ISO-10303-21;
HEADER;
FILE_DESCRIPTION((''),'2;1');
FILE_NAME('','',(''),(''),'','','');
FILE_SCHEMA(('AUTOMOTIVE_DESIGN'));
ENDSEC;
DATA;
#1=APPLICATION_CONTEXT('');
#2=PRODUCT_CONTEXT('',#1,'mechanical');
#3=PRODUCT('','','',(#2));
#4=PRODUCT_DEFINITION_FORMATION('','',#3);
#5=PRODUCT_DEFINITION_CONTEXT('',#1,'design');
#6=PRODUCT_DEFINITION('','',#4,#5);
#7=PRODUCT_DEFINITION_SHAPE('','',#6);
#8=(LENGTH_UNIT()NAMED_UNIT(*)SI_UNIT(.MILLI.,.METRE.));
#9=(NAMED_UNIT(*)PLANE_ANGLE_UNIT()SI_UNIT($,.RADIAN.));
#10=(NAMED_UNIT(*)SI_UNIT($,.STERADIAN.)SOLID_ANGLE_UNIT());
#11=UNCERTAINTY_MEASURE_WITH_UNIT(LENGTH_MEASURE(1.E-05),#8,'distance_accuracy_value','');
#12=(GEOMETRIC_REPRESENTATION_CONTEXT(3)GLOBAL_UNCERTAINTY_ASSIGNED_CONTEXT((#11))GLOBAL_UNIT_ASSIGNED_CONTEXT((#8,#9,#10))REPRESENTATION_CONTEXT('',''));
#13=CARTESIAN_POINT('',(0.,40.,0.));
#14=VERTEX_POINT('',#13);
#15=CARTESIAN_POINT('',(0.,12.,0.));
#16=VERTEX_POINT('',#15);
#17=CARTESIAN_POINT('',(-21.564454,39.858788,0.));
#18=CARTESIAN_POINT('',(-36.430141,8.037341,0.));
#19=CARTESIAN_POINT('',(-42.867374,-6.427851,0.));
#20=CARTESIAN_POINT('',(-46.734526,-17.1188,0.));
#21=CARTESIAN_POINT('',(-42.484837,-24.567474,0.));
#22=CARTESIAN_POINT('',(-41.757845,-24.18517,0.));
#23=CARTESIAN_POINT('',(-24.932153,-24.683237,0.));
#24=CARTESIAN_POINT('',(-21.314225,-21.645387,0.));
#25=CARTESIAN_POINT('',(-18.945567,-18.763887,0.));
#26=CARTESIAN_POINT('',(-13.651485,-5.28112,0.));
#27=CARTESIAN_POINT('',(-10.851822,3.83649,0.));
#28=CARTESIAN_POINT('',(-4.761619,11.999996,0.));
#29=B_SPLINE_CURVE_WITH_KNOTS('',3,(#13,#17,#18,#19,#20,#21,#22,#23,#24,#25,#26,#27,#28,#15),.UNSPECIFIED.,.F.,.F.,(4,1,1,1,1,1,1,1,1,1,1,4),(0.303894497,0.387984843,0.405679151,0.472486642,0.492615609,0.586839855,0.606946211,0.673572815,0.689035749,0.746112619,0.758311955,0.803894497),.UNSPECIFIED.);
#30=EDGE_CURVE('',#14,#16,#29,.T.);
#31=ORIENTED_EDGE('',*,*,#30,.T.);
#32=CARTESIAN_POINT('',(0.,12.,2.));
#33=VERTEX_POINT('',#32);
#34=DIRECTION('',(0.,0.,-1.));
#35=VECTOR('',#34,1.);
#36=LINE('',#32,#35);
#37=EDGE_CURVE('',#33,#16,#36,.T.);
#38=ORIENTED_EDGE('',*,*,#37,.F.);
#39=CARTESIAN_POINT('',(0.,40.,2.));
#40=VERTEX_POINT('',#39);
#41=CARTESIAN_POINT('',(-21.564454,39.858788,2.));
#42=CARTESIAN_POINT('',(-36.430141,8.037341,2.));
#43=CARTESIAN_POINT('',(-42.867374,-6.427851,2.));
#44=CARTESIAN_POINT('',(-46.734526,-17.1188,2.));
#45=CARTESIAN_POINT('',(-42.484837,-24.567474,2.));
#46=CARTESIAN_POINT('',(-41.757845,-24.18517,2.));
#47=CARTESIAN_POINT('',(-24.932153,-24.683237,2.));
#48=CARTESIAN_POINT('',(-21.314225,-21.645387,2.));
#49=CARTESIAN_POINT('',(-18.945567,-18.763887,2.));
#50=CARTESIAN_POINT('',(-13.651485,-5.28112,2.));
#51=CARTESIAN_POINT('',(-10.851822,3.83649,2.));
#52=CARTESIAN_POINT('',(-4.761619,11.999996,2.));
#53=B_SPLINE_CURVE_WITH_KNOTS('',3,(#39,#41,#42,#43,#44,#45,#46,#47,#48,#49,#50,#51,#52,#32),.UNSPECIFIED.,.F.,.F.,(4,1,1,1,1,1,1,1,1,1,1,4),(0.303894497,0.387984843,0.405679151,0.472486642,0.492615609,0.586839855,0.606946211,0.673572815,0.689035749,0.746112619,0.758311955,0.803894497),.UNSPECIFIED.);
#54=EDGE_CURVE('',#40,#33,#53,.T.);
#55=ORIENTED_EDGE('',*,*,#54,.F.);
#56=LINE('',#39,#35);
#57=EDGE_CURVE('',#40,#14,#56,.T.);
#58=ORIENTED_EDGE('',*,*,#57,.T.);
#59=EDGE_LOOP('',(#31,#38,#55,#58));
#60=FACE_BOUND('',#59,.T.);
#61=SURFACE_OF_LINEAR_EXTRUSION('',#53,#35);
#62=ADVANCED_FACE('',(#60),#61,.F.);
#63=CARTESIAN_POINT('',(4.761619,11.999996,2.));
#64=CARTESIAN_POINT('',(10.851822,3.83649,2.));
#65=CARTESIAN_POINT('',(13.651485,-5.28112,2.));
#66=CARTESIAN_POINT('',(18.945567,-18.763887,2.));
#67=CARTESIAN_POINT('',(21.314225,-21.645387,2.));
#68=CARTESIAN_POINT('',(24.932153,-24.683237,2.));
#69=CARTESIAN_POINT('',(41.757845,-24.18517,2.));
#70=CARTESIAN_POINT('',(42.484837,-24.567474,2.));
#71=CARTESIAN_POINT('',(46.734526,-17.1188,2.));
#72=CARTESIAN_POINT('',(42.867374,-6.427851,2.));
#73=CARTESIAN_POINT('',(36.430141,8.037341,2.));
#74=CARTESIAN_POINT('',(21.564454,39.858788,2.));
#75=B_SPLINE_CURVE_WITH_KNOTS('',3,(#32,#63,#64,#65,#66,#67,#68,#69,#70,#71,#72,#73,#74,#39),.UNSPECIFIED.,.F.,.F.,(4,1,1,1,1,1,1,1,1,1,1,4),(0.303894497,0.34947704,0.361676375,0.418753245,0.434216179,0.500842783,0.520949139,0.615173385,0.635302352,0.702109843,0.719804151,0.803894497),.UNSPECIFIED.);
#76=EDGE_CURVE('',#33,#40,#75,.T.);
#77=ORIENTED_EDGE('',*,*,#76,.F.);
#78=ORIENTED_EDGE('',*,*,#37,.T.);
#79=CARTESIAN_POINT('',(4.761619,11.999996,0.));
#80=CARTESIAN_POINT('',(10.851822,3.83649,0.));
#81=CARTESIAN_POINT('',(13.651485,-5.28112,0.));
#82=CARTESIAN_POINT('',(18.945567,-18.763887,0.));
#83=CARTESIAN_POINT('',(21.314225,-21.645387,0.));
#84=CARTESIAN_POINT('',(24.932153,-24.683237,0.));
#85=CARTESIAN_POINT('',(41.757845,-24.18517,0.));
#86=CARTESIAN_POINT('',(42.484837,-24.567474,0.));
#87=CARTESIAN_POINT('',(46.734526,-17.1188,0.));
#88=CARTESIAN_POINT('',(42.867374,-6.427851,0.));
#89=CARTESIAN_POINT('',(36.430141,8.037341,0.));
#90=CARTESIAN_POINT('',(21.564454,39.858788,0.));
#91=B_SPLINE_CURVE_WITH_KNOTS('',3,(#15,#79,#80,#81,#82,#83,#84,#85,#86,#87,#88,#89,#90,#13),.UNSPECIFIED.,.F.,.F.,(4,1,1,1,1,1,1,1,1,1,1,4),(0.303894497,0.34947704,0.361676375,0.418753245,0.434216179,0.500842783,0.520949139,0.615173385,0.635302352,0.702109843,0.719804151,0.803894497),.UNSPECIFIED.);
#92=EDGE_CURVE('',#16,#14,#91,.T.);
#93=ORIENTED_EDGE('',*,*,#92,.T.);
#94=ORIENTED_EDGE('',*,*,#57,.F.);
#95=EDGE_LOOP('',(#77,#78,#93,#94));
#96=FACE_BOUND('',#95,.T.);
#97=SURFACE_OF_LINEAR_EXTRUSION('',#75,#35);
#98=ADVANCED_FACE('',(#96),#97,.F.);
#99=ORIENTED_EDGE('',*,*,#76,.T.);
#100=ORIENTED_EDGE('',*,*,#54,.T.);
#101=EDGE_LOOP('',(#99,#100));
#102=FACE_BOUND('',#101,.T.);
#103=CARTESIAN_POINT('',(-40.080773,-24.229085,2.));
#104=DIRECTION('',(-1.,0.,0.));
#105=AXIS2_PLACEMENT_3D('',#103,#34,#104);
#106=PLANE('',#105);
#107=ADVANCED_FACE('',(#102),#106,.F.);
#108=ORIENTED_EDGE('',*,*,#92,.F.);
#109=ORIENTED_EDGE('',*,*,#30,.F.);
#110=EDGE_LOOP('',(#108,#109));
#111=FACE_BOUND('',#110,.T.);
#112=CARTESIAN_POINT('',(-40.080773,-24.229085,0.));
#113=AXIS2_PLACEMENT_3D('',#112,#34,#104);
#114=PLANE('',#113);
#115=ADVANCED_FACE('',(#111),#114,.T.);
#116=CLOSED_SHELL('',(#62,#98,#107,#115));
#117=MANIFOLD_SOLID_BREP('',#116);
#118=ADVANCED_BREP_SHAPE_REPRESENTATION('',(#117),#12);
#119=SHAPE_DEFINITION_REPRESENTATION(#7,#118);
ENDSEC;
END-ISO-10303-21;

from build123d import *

# Parameters (mm, degrees)
RESSALTO_EXTRUS_O1_DEPTH = 2


with BuildPart() as part:
    # Esboço1 → Ressalto-extrusão1 (new body)
    with BuildSketch(Plane.XY):
        with BuildLine():
            add(Edge.make_bspline(
                [(0, 12), (4.761619014, 11.999995669), (10.851821786, 3.836489549), (13.651485201, -5.28112037), (18.945566804, -18.763887148), (21.314225016, -21.645386748), (24.932153146, -24.683236686), (41.757844982, -24.185169663), (42.484836672, -24.567473872), (46.734525503, -17.118800474), (42.867374232, -6.427851315), (36.430141105, 8.037340575), (21.564453808, 39.858788412), (0, 40)],
                knots=[0.303894497, 0.303894497, 0.303894497, 0.303894497, 0.34947704, 0.361676375, 0.418753245, 0.434216179, 0.500842783, 0.520949139, 0.615173385, 0.635302352, 0.702109843, 0.719804151, 0.803894497, 0.803894497, 0.803894497, 0.803894497], degree=3))
            add(Edge.make_bspline(
                [(0, 12), (-4.761619014, 11.999995669), (-10.851821786, 3.836489549), (-13.651485201, -5.28112037), (-18.945566804, -18.763887148), (-21.314225016, -21.645386748), (-24.932153146, -24.683236686), (-41.757844982, -24.185169663), (-42.484836672, -24.567473872), (-46.734525503, -17.118800474), (-42.867374232, -6.427851315), (-36.430141105, 8.037340575), (-21.564453808, 39.858788412), (0, 40)],
                knots=[0.303894497, 0.303894497, 0.303894497, 0.303894497, 0.34947704, 0.361676375, 0.418753245, 0.434216179, 0.500842783, 0.520949139, 0.615173385, 0.635302352, 0.702109843, 0.719804151, 0.803894497, 0.803894497, 0.803894497, 0.803894497], degree=3))
        make_face()
    extrude(amount=RESSALTO_EXTRUS_O1_DEPTH)


solid = part.part
